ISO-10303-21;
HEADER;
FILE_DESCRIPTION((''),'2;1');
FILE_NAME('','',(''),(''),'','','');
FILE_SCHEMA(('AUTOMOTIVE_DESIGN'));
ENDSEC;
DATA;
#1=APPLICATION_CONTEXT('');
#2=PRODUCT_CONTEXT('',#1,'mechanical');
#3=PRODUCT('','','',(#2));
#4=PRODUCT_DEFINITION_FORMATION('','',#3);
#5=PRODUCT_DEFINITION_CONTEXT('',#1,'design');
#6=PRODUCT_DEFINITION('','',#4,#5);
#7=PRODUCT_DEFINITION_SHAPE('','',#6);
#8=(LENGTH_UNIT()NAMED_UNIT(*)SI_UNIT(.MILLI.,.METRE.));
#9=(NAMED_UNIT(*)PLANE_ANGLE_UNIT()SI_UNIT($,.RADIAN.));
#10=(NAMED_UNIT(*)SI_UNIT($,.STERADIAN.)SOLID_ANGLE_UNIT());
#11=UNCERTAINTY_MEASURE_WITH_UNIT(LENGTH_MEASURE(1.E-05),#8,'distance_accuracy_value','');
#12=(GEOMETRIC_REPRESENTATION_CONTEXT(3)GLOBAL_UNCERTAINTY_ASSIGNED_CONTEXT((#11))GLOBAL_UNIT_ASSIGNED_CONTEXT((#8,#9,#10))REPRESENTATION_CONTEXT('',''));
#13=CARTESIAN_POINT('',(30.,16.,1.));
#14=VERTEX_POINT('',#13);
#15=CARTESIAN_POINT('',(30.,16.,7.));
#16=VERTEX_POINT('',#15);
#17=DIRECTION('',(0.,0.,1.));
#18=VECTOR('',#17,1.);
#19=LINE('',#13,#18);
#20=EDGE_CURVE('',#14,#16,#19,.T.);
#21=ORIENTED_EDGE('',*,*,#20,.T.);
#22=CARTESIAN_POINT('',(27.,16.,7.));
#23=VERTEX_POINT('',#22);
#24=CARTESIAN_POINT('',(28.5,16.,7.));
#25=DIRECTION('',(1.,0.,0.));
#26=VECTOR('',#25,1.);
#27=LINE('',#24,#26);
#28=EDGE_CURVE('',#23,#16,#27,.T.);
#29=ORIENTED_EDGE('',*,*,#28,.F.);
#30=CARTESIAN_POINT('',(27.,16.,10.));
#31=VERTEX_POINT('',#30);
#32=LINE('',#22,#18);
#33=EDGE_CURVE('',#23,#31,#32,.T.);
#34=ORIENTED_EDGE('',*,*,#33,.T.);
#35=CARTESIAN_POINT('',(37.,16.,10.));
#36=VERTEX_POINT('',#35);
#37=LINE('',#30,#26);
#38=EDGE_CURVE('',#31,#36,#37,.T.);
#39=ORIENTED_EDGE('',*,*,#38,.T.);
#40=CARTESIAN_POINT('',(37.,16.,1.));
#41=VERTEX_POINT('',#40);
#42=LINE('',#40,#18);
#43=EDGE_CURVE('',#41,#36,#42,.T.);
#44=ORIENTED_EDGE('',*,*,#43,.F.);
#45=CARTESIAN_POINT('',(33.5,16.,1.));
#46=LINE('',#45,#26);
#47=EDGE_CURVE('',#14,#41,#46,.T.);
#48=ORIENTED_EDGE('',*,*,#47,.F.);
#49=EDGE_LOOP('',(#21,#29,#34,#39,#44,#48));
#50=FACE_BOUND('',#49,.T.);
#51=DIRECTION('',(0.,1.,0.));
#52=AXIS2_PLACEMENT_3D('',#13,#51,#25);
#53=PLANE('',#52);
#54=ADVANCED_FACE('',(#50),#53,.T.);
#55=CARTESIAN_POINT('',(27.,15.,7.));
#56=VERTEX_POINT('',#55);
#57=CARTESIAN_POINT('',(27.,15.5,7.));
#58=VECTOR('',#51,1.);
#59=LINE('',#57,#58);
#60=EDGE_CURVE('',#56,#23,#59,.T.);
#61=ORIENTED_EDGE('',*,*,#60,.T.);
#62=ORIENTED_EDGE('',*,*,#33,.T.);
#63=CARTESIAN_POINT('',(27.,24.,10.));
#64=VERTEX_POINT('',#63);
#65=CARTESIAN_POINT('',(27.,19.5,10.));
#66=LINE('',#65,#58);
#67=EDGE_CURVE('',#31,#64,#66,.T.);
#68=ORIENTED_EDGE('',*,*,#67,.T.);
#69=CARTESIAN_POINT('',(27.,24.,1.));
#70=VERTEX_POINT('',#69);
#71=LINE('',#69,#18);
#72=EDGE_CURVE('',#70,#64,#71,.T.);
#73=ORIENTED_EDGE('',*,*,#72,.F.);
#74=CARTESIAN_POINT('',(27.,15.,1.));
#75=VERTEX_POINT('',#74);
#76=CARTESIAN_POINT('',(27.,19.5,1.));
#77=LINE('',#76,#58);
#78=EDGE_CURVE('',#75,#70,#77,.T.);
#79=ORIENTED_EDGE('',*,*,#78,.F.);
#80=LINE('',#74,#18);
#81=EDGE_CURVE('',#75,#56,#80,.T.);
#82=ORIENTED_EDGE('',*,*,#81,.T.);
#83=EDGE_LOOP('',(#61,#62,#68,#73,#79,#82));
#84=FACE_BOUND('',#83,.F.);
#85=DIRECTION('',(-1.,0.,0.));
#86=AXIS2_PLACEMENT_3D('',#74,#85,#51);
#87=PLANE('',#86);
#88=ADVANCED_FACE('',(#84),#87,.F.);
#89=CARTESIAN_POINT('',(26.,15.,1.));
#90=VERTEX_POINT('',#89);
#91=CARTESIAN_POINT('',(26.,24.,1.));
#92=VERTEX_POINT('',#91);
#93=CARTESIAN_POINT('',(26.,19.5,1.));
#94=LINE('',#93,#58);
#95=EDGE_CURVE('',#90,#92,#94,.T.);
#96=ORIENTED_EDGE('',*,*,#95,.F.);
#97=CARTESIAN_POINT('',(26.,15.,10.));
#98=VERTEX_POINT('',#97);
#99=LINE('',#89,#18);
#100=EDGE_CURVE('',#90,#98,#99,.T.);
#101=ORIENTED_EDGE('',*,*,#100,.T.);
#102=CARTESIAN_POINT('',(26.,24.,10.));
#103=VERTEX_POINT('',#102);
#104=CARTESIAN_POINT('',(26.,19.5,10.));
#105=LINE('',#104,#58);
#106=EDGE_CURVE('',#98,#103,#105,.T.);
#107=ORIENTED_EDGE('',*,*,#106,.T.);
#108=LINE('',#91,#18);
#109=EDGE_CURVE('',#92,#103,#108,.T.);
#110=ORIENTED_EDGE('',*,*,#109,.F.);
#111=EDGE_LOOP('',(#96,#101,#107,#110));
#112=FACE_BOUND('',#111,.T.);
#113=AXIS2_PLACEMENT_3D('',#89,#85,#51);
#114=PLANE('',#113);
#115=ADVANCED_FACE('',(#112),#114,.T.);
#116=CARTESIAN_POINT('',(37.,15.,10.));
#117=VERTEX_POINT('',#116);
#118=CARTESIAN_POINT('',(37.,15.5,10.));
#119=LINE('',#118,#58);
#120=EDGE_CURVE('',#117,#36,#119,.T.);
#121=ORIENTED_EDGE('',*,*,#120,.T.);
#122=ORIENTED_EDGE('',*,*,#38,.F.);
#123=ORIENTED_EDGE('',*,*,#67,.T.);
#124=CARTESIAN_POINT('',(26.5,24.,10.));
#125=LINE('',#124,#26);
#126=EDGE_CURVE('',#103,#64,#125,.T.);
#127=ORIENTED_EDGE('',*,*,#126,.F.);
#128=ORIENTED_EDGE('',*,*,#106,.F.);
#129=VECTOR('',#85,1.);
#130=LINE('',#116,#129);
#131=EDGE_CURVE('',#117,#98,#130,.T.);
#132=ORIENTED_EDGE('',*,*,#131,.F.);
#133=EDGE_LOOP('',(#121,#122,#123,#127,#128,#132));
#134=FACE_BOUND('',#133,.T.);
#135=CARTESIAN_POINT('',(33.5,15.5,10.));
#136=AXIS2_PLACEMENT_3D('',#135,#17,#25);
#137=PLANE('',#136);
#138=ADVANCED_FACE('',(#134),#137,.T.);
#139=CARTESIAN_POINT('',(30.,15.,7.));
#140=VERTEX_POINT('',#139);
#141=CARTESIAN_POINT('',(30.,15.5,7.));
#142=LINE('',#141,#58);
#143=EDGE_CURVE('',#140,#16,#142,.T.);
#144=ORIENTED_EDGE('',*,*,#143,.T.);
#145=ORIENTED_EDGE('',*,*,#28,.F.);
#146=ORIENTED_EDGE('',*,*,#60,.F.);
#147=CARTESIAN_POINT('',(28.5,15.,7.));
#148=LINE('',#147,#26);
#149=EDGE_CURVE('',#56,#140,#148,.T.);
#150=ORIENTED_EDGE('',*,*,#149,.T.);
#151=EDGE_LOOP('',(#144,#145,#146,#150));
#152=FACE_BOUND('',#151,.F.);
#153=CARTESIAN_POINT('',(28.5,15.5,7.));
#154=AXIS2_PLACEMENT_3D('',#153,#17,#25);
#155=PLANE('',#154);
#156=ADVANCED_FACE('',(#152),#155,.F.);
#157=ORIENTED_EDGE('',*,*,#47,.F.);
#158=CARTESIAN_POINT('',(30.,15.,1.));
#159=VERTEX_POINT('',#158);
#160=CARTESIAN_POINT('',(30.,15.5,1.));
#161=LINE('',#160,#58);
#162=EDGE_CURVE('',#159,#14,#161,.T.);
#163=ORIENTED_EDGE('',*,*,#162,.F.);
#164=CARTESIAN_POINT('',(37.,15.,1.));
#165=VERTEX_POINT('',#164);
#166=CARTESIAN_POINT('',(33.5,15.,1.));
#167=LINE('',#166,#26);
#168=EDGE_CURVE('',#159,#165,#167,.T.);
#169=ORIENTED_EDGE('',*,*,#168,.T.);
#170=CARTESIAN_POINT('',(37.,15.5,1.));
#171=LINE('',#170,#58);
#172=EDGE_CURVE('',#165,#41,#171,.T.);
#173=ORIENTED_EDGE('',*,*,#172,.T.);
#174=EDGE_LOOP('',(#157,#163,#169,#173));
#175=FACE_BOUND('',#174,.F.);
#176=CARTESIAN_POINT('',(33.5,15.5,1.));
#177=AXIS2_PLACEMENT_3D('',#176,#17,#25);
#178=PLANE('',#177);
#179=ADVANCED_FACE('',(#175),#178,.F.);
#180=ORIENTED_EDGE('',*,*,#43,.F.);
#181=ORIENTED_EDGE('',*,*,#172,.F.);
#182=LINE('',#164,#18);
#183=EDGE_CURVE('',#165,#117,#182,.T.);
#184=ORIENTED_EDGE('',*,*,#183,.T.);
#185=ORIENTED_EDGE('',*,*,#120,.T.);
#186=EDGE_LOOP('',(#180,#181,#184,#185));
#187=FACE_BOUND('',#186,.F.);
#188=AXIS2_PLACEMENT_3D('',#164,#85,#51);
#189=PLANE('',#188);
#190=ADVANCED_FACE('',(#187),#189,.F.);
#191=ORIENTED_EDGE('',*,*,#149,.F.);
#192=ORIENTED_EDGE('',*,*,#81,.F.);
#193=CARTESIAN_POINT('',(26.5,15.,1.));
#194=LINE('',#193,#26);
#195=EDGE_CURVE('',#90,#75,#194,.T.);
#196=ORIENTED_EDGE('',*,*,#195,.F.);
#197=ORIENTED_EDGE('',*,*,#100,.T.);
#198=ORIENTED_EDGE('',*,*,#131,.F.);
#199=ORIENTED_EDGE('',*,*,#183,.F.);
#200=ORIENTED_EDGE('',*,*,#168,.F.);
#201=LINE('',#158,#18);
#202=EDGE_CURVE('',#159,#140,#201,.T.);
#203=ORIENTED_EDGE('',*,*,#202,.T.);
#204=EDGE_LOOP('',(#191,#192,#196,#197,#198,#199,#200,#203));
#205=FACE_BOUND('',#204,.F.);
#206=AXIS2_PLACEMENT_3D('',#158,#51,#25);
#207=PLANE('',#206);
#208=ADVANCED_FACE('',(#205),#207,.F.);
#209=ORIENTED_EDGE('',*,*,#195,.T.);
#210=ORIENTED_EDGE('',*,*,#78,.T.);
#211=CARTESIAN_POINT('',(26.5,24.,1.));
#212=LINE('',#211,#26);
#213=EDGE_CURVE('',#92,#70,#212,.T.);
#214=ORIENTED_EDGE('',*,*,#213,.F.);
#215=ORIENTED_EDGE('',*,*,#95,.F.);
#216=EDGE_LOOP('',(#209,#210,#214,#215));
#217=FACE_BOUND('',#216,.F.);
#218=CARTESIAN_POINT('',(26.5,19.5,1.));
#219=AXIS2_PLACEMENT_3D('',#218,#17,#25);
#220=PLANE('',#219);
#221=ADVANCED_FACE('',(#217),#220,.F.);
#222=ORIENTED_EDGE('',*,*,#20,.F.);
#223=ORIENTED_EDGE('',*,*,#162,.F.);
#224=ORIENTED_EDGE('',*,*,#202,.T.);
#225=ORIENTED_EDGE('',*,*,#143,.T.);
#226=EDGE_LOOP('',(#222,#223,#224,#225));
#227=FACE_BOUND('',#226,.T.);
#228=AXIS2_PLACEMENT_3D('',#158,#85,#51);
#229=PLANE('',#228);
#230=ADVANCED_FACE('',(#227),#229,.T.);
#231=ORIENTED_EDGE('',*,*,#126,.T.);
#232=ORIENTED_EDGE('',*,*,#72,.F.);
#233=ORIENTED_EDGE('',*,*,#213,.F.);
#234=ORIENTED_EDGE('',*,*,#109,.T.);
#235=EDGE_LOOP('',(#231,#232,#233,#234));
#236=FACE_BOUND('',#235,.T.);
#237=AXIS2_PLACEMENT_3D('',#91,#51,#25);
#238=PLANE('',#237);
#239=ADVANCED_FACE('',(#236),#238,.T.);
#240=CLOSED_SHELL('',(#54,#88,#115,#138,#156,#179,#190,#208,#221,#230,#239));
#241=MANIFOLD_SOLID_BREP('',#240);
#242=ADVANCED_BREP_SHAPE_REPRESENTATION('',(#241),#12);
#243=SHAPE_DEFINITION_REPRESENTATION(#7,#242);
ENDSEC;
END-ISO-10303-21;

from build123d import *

# Parameters (mm, degrees)
BOX012_W     = 1
BOX012_H     = 9
BOX012_DEPTH = 9
BOX011_W     = 7
BOX011_H     = 1
BOX011_DEPTH = 9
BOX013_W     = 3
BOX013_H     = 1
BOX013_DEPTH = 3


with BuildPart() as box012:
    # Box012 → Box012 (new body)
    with BuildSketch(Plane(origin=(33, 15, 1), x_dir=(1, 0, 0), z_dir=(0, 0, 1))):
        with Locations((0.5, 4.5)):
            Rectangle(BOX012_W, BOX012_H)
    extrude(amount=BOX012_DEPTH)


with BuildPart() as box011:
    # Box011 → Box011 (new body)
    with BuildSketch(Plane(origin=(37, 15, 1), x_dir=(1, 0, 0), z_dir=(0, 0, 1))):
        with Locations((3.5, 0.5)):
            Rectangle(BOX011_W, BOX011_H)
    extrude(amount=BOX011_DEPTH)


with BuildPart() as fusion003:
    # Box013 → Box013 (new body)
    with BuildSketch(Plane(origin=(34, 15, 7), x_dir=(1, 0, 0), z_dir=(0, 0, 1))):
        with Locations((1.5, 0.5)):
            Rectangle(BOX013_W, BOX013_H)
    extrude(amount=BOX013_DEPTH)

    # Fusion003: union Box012, Box011
    add(box012.part)
    add(box011.part)


with BuildPart() as fusion003_1:
    # Fusion003 placement: moved
    add(fusion003.part.moved(Location((-7, 0, 0))))


solid = fusion003_1.part
